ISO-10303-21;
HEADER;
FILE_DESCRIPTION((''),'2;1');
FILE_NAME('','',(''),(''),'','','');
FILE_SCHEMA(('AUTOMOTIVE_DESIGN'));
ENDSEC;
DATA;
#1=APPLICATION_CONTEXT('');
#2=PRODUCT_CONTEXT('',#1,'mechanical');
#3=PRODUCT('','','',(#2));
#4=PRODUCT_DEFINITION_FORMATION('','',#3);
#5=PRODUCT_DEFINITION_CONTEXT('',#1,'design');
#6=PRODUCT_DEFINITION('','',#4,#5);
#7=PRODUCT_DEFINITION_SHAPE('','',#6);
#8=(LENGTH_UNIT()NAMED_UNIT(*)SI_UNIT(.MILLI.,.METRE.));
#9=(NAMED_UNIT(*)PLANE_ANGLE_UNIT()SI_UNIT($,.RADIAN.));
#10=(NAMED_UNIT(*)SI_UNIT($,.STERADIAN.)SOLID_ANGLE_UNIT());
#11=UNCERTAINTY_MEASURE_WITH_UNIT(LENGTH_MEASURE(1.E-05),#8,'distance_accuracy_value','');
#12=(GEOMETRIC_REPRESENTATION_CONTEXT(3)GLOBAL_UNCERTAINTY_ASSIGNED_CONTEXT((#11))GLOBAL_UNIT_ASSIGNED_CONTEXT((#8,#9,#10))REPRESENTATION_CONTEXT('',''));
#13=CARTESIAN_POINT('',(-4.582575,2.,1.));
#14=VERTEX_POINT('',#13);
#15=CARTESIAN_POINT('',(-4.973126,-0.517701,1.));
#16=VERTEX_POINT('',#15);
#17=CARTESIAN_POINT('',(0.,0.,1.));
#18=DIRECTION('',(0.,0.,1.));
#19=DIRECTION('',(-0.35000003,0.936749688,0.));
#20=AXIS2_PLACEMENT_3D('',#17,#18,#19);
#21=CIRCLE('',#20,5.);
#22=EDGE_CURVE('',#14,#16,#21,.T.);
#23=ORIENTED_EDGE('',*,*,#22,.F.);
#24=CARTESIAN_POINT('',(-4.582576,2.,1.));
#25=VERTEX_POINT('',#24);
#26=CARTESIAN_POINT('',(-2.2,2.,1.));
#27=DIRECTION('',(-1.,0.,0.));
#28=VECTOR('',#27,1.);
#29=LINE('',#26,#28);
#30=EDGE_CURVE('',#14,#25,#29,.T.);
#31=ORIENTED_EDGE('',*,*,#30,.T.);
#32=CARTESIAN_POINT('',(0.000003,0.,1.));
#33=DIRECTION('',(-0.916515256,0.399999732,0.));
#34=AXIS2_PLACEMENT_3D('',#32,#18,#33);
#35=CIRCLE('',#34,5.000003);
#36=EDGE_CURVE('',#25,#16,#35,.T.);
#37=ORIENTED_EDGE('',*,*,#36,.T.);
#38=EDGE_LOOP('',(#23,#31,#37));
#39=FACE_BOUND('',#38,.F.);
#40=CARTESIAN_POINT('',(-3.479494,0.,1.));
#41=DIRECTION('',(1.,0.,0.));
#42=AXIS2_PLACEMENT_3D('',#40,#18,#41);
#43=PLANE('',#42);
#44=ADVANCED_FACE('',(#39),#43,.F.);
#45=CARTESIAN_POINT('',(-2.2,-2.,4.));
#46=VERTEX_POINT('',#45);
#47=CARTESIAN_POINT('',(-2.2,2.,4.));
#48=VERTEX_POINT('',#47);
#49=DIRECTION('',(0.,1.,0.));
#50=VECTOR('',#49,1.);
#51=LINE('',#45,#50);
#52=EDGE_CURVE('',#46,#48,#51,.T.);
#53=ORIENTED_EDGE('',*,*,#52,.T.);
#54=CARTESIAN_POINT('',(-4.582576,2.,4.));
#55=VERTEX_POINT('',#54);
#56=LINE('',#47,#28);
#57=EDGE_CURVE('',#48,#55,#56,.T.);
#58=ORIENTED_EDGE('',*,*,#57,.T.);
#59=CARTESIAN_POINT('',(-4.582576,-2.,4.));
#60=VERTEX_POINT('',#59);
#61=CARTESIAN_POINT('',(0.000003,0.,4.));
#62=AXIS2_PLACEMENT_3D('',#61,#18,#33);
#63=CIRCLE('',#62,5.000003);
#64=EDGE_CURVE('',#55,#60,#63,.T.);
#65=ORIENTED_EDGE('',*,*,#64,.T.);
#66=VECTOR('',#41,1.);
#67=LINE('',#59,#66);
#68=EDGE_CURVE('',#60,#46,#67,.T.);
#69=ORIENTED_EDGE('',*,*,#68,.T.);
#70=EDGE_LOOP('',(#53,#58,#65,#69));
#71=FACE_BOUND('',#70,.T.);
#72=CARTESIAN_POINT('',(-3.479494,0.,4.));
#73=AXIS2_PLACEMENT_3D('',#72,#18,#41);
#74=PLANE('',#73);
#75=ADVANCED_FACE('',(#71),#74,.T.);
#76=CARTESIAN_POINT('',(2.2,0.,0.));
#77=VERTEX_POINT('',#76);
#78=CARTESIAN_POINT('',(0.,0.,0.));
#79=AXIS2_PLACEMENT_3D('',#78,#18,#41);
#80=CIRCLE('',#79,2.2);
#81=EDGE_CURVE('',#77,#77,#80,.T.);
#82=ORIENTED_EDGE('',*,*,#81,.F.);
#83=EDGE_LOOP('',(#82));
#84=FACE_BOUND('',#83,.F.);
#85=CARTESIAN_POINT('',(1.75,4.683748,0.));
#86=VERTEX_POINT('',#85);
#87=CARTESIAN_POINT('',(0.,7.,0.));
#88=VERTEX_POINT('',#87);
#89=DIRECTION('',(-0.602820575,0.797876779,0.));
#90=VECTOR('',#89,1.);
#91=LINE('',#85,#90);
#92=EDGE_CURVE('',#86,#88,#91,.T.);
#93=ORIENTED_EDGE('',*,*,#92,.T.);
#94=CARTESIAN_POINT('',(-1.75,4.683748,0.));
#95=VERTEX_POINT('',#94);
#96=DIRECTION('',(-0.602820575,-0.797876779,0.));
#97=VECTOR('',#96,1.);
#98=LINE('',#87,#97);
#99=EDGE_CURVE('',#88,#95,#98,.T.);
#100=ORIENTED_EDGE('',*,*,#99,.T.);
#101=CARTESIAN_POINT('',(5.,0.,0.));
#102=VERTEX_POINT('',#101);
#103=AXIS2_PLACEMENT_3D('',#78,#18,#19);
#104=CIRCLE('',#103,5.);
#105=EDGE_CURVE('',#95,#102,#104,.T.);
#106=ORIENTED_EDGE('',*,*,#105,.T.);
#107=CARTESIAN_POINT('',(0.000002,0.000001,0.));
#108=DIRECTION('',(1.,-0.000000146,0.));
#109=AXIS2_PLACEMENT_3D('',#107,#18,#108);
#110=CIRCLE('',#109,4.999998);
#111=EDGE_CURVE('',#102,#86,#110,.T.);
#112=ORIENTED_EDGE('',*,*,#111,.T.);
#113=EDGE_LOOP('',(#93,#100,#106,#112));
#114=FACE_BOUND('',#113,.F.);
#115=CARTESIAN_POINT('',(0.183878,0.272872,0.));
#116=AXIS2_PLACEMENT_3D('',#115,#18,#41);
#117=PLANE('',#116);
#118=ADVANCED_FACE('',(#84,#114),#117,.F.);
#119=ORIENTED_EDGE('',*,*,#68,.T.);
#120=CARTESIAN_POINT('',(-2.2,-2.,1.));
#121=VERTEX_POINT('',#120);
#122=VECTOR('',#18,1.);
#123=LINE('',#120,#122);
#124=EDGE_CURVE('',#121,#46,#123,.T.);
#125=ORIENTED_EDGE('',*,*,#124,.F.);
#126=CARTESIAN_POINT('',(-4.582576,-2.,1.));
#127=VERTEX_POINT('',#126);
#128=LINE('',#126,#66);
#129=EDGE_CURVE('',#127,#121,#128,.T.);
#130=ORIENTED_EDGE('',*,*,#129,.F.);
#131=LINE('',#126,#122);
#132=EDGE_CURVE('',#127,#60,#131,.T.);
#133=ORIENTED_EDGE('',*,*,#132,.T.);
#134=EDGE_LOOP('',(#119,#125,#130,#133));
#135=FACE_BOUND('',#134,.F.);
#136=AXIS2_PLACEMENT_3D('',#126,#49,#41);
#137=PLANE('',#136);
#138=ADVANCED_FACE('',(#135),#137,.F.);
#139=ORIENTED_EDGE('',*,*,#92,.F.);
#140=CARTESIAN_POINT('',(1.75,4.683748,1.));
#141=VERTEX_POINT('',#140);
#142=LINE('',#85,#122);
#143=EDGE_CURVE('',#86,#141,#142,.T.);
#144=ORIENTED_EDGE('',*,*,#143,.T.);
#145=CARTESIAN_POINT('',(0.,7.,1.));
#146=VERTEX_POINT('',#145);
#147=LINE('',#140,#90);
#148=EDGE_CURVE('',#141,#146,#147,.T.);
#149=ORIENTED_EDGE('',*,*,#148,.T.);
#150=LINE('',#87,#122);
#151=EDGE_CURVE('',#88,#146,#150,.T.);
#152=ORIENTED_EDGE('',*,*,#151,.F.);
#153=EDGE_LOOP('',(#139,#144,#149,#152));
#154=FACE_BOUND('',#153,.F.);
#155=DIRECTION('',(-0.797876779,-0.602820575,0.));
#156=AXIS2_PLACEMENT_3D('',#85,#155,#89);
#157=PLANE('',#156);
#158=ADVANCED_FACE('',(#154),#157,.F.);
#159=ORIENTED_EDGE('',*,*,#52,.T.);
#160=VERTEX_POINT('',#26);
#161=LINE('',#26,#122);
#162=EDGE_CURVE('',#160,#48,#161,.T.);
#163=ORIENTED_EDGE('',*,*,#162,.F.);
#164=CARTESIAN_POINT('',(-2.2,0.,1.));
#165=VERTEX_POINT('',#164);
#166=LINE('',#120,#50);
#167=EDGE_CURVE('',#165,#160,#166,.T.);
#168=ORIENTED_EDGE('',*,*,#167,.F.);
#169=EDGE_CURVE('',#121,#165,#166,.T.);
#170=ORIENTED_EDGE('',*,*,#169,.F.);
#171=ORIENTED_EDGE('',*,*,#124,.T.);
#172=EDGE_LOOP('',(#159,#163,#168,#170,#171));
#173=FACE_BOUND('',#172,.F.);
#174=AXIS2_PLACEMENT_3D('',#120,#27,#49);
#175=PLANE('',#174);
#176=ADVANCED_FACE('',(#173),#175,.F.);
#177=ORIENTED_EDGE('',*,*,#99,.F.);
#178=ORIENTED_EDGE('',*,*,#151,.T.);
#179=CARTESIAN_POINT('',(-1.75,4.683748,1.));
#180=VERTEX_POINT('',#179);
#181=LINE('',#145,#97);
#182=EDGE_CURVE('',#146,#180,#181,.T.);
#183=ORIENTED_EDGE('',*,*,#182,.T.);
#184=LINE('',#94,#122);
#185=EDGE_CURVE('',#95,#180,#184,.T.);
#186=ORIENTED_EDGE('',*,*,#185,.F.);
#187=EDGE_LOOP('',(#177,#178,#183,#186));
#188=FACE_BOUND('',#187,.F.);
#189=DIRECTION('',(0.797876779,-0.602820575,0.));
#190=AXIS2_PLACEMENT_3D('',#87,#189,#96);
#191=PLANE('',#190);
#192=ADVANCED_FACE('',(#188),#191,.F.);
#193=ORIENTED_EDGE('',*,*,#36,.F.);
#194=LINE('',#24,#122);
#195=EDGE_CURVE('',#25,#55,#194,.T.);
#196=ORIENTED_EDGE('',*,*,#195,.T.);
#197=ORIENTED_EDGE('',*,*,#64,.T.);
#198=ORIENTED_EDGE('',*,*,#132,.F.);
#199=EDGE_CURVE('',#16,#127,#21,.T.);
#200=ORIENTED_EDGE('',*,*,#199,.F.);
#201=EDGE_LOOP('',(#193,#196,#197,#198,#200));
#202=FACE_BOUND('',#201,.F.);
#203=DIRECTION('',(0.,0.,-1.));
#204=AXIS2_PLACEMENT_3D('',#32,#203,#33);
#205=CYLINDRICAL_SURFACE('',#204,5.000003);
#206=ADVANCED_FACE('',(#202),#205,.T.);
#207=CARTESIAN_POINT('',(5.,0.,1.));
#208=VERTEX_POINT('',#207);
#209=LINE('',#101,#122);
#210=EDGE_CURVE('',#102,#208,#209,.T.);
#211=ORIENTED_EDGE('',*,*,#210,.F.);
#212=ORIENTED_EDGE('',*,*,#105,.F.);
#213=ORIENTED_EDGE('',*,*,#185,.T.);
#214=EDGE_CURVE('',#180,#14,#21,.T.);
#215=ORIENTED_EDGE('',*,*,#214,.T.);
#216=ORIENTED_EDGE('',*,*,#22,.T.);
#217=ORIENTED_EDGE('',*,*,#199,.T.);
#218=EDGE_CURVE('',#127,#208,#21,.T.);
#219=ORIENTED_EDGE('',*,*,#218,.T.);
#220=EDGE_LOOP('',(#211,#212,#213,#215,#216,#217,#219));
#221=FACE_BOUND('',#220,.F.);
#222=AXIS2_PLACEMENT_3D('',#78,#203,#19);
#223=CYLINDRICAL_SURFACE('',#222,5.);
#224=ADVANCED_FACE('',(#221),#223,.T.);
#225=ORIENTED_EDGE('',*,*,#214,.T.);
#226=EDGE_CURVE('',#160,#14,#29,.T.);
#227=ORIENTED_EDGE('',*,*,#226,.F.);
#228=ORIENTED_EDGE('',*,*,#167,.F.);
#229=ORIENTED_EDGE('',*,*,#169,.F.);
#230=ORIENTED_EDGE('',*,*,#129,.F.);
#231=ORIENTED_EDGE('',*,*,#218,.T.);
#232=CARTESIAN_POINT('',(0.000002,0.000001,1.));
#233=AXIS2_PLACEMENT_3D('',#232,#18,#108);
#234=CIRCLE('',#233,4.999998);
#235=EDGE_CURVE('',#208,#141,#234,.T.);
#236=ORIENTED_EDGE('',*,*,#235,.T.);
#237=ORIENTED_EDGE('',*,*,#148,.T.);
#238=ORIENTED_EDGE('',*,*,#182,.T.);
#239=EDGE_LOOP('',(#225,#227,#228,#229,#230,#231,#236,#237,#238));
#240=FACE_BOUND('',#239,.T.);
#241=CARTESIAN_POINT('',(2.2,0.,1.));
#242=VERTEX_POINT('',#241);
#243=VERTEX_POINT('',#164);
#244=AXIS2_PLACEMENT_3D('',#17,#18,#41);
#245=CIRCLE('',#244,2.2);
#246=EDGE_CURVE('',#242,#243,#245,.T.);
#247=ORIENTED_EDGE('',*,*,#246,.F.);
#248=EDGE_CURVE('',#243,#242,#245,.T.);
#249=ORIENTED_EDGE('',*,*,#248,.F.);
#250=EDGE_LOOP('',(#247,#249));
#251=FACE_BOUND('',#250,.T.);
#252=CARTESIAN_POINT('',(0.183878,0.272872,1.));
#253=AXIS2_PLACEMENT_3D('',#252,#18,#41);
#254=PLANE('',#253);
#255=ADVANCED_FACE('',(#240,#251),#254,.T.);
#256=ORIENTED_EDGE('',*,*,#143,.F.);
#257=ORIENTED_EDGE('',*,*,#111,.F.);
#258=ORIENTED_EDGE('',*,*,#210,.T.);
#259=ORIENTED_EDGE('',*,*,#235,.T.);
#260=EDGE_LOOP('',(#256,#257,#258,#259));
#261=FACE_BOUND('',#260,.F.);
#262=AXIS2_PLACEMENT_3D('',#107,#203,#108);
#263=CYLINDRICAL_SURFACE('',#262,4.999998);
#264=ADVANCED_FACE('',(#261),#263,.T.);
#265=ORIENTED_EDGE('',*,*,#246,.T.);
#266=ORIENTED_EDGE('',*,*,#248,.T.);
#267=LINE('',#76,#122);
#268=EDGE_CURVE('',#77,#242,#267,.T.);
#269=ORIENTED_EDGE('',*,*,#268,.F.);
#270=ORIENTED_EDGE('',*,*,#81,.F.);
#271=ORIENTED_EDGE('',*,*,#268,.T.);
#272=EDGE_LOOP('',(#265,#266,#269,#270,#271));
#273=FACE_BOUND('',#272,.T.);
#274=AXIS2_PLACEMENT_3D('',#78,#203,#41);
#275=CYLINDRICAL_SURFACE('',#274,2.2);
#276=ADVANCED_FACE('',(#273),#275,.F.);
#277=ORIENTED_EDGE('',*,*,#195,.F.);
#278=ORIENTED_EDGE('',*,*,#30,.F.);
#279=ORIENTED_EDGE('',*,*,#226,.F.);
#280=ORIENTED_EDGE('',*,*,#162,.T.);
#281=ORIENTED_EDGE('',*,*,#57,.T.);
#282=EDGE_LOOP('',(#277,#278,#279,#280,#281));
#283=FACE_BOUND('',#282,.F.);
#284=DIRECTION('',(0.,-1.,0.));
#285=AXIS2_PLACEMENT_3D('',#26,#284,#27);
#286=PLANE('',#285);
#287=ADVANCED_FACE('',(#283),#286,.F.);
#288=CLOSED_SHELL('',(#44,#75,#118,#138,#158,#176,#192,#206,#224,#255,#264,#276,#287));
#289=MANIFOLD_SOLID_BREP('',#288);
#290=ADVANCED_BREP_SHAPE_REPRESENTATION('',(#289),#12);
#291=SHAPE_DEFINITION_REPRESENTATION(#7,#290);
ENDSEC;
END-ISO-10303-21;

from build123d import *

# Parameters (mm, degrees)
F0_R     = 2.2
F1_DEPTH = 1
F3_DEPTH = 3


with BuildPart() as f1:
    # F0 (on Top) → F1 (new body)
    with BuildSketch(Plane.XY):
        with BuildLine():
            ThreePointArc((-1.75, 4.683748), (-2.850439, -4.107919), (5, 0))
            ThreePointArc((5, 0), (4.107919, 2.850439), (1.75, 4.683748))
            ThreePointArc((1.75, 4.683748), (0, 5), (-1.75, 4.683748))
        make_face()
        Circle(F0_R, mode=Mode.SUBTRACT)
        with BuildLine():
            ThreePointArc((-1.75, 4.683748), (0, 5), (1.75, 4.683748))
            Line((1.75, 4.683748), (0, 7))
            Line((0, 7), (-1.75, 4.683748))
        make_face()
    extrude(amount=F1_DEPTH)

    # F2 (on face) → F3 (join)
    with BuildSketch(Plane.XY.offset(1)):
        with BuildLine():
            Line((-2.2, 2), (-4.582576, 2))
            ThreePointArc((-4.582576, 2), (-5, 0), (-4.582576, -2))
            Line((-4.582576, -2), (-2.2, -2))
            Line((-2.2, -2), (-2.2, 2))
        make_face()
    extrude(amount=F3_DEPTH)


solid = f1.part
